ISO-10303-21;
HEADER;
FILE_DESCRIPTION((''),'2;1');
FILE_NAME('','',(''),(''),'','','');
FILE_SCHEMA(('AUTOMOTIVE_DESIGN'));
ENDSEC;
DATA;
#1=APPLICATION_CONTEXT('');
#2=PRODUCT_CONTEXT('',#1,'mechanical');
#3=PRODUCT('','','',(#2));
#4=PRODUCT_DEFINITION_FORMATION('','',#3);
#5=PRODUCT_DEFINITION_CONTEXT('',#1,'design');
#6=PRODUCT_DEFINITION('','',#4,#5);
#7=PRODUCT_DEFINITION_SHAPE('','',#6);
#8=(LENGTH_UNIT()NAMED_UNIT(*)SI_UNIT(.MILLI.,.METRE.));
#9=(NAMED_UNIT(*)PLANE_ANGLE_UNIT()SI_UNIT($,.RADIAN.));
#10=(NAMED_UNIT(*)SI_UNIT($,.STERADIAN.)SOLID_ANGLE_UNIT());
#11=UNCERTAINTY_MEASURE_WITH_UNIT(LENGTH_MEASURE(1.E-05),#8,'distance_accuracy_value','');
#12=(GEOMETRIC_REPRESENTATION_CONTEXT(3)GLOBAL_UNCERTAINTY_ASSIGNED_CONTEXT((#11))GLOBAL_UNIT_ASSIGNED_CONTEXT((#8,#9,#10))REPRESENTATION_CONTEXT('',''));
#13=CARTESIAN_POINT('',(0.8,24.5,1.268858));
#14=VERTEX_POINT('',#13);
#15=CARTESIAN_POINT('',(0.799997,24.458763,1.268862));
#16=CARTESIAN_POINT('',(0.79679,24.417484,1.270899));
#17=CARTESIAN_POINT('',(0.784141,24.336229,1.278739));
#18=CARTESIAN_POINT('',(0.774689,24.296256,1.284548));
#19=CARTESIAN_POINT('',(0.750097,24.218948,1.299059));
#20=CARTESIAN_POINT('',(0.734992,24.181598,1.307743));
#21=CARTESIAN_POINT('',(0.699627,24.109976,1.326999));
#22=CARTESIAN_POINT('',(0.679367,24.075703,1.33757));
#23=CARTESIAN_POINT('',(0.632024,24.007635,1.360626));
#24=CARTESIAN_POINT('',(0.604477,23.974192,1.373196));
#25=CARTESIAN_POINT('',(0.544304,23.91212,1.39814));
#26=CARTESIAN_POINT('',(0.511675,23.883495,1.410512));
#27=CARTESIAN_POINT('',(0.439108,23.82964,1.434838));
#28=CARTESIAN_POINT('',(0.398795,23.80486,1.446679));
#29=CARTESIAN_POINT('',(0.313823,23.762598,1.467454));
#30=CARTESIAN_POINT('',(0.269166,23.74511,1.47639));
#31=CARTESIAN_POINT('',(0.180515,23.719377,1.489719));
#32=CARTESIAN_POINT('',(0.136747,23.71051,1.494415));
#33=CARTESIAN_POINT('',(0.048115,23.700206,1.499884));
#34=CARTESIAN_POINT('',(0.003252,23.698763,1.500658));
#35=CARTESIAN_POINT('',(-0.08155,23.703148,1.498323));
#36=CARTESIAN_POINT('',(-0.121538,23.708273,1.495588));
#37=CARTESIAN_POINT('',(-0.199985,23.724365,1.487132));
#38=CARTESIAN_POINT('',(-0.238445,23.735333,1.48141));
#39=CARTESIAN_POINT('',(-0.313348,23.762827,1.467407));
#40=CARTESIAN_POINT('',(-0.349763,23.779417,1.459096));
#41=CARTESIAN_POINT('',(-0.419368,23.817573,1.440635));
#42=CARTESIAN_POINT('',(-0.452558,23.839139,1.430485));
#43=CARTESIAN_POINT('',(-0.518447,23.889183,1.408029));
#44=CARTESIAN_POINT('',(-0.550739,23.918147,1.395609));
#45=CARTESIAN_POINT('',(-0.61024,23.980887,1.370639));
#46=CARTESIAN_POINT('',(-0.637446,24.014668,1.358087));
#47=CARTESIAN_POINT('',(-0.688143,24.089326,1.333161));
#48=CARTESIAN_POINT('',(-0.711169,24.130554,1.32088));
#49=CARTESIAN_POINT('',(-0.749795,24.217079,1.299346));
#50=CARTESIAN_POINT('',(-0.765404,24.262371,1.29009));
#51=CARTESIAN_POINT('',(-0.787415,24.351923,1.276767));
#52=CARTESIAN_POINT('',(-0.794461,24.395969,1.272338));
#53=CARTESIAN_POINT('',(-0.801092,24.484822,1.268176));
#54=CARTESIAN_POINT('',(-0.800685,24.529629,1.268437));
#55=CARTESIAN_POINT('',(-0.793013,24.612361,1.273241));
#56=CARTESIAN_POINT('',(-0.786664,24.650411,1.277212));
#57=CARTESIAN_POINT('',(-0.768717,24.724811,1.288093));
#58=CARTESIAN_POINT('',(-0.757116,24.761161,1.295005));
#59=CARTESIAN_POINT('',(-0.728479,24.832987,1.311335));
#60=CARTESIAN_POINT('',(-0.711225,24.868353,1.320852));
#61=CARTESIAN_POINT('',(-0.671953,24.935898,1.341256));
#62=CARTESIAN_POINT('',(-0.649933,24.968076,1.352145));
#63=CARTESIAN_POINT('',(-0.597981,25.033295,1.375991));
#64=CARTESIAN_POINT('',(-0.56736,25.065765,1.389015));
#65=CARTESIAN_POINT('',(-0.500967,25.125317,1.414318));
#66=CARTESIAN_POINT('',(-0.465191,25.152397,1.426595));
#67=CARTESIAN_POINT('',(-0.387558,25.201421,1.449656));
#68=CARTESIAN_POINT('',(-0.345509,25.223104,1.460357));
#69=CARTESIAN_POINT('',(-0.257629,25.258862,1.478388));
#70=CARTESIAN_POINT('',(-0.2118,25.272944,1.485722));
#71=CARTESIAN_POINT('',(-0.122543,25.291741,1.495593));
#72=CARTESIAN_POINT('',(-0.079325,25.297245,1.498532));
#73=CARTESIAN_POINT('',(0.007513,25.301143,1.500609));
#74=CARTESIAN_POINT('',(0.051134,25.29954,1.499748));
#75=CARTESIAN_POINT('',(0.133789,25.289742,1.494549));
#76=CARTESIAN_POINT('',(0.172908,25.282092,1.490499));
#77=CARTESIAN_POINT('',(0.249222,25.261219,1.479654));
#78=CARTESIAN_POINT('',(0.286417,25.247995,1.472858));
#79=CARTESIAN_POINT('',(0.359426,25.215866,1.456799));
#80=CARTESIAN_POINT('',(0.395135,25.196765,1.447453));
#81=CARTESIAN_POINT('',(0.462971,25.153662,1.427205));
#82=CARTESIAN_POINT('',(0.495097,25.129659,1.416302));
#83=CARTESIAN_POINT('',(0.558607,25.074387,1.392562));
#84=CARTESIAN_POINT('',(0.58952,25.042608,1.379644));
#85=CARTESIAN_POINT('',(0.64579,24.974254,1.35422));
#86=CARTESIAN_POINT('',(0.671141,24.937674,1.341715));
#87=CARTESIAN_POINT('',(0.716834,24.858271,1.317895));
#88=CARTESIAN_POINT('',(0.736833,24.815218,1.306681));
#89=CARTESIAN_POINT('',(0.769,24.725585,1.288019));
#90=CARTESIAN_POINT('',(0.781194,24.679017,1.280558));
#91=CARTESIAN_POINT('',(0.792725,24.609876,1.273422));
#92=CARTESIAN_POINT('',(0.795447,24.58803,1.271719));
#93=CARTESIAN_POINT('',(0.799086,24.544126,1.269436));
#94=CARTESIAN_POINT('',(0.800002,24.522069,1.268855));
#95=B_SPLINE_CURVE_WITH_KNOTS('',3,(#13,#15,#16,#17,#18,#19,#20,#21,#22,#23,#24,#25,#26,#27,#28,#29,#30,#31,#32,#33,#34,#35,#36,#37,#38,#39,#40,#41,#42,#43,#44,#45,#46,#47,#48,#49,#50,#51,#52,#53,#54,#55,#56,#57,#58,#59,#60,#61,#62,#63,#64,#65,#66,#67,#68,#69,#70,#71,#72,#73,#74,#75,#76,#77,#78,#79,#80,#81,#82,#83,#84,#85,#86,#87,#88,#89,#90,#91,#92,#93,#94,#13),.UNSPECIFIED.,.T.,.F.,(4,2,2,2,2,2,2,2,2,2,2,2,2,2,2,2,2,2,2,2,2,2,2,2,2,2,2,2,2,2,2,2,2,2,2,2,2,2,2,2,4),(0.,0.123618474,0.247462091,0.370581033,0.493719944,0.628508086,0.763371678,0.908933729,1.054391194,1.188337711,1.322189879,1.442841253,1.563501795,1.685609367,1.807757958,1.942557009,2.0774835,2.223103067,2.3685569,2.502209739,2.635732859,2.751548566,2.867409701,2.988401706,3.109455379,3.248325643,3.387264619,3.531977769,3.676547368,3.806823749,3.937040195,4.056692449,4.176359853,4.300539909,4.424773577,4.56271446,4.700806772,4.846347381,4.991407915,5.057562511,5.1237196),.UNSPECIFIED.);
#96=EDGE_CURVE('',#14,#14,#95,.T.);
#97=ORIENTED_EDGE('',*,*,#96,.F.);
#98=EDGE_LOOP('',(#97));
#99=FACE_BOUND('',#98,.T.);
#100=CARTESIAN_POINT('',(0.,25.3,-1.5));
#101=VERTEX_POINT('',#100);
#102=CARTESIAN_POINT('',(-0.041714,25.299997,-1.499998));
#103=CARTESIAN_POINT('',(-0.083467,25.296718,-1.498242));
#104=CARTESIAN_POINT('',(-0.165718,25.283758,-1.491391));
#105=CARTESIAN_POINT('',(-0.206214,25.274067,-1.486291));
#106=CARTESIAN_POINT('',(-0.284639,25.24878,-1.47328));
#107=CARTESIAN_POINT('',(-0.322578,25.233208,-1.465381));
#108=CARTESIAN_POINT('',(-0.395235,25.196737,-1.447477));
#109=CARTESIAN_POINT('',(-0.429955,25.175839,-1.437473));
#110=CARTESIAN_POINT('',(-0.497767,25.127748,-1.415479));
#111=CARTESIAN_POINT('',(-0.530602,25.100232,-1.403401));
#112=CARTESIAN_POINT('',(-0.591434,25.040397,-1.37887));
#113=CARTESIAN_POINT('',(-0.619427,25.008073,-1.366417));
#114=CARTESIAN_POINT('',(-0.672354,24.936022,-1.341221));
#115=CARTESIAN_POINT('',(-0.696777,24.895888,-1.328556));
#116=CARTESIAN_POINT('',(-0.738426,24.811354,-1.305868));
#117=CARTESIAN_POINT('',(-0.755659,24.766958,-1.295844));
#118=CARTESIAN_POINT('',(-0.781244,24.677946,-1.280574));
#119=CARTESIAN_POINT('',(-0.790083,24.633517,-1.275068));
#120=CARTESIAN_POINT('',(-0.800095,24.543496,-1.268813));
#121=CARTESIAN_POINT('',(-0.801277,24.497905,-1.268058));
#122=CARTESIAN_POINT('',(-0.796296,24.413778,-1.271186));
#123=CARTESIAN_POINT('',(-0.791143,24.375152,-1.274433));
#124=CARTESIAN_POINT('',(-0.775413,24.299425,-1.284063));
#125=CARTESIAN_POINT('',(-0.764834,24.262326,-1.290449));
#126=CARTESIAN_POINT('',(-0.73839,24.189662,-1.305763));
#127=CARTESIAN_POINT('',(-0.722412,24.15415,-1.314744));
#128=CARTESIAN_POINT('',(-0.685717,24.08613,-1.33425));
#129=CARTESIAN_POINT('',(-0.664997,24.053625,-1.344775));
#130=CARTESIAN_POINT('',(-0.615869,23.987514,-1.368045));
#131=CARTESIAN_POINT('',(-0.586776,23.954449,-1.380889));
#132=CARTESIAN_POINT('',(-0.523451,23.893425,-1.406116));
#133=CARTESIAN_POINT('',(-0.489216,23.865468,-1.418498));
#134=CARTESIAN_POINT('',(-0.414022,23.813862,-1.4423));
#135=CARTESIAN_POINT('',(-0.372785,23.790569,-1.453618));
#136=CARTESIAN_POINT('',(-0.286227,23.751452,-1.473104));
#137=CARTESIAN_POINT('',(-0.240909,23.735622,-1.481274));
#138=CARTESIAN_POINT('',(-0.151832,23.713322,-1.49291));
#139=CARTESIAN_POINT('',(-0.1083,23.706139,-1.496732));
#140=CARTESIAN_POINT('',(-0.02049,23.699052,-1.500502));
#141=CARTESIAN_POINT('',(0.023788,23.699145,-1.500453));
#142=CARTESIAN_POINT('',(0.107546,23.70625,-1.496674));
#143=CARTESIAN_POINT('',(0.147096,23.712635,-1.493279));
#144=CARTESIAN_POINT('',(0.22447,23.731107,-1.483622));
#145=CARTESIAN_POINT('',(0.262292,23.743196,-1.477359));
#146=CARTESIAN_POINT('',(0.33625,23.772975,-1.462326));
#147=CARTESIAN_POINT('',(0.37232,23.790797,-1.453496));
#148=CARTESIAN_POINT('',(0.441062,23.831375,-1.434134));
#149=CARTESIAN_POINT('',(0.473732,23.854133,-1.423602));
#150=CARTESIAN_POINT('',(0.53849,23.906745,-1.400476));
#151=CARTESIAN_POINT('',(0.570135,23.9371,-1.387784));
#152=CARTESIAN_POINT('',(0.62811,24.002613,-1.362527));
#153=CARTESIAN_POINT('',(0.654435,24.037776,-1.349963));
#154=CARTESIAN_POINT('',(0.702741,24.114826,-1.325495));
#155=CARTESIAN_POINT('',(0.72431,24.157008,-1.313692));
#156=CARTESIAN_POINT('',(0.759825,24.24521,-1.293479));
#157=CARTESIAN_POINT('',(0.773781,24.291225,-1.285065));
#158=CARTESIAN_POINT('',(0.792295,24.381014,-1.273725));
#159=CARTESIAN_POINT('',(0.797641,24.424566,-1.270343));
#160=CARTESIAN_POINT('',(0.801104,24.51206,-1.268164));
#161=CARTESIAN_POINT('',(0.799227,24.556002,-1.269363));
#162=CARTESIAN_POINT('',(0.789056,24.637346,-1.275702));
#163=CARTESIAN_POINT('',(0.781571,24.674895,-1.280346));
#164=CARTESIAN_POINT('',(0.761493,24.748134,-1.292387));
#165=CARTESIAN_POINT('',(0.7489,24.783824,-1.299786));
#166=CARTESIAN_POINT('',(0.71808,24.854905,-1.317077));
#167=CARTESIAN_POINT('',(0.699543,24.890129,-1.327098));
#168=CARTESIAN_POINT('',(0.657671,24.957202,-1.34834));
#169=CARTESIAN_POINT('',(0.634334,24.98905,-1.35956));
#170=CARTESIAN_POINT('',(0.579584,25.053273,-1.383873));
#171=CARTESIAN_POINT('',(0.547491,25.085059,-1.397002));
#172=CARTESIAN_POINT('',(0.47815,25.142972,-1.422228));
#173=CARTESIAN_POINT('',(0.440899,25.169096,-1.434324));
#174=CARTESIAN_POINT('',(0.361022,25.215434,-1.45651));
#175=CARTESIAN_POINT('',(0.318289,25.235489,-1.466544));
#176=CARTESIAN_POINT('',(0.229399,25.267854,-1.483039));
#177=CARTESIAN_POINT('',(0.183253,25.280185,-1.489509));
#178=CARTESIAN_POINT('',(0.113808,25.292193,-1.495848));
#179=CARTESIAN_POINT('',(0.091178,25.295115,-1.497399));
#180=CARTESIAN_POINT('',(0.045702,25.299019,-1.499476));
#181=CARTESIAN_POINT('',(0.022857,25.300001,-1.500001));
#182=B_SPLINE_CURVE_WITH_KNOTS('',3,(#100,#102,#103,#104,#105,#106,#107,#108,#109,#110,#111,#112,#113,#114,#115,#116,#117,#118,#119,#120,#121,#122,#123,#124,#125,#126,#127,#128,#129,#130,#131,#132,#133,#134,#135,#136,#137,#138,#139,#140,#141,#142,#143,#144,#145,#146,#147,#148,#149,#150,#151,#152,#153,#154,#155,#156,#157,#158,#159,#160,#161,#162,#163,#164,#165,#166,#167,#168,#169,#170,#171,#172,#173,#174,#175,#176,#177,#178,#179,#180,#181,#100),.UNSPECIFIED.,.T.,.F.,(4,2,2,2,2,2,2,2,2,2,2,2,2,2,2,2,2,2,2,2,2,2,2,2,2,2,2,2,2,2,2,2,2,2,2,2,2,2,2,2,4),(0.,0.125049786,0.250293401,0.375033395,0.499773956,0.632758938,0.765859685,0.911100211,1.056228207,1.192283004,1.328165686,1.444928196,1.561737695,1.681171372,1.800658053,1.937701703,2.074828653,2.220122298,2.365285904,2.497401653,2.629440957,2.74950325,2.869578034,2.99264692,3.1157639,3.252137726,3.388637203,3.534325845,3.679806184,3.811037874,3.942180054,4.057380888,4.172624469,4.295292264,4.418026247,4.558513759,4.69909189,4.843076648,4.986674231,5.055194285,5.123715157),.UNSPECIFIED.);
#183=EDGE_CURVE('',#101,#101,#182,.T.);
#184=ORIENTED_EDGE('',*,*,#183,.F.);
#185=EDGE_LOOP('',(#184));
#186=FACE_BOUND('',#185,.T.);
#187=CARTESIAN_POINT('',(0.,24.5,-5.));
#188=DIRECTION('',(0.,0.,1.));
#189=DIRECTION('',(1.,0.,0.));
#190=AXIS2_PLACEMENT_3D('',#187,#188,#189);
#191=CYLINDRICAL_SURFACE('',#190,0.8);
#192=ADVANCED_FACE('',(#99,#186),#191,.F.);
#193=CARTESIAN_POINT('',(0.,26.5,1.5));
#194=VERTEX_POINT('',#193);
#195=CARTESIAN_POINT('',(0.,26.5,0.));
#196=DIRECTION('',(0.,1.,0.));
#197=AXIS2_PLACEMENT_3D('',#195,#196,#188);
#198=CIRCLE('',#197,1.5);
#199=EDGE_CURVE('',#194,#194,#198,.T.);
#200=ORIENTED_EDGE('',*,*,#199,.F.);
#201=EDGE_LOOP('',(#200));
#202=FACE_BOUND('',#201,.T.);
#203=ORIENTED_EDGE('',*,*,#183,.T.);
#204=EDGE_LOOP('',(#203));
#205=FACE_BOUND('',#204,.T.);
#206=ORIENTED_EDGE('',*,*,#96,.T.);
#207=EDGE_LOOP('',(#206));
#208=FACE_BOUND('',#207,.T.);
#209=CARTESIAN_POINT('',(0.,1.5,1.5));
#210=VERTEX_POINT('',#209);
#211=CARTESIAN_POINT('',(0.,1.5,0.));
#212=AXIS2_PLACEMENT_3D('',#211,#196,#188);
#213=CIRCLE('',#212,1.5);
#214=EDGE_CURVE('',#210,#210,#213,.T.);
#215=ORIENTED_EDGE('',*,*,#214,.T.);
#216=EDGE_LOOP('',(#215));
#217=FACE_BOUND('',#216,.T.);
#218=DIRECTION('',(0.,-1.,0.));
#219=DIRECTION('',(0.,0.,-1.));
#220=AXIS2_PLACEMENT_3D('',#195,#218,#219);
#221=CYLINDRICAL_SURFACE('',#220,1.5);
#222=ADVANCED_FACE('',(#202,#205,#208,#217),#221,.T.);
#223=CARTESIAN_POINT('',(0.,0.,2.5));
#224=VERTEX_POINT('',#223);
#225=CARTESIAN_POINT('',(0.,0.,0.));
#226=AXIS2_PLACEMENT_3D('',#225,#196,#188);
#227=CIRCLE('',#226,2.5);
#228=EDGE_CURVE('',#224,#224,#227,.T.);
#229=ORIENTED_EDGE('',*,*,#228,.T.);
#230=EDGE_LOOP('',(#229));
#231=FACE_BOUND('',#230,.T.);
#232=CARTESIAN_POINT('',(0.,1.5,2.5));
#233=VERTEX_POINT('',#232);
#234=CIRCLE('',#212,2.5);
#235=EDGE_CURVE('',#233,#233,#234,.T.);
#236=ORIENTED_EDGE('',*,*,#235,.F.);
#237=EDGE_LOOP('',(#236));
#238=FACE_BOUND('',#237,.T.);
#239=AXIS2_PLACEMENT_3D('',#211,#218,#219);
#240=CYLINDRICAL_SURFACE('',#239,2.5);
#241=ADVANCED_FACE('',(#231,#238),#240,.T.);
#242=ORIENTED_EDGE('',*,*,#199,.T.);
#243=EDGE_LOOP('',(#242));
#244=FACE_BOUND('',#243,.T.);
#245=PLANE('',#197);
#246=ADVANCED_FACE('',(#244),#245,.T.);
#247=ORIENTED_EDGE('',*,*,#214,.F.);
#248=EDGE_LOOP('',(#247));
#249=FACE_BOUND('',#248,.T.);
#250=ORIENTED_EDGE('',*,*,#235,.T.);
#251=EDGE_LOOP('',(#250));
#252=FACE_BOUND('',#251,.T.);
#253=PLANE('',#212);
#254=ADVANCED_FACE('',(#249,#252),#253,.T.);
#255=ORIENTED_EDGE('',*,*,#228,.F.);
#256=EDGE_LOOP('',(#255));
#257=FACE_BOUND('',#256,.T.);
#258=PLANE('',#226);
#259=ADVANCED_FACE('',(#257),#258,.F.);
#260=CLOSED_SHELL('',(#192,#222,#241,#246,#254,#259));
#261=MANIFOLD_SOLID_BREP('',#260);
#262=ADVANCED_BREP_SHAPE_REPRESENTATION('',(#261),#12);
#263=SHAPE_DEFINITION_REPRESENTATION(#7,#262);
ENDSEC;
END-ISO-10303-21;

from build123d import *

# Parameters (mm, degrees)
SKETCH_1_R          = 2.5
EXTRUDE_1_DEPTH     = 1.5
SKETCH_2_R          = 1.5
EXTRUDE_2_DEPTH     = 25
SKETCH_3_R          = 0.8
CUT_EXTRUDE_1_DEPTH = 5


with BuildPart() as part:
    # 草图1 → 凸台-拉伸1 (new body)
    with BuildSketch(Plane(origin=(0, 0, 0), x_dir=(1, 0, 0), z_dir=(0, 1, 0))):
        with Locations(Location((0, 0, 0), (0, 0, 270))):
            Circle(SKETCH_1_R)
    extrude(amount=EXTRUDE_1_DEPTH)

    # 草图2 → 凸台-拉伸2 (add)
    with BuildSketch(Plane(origin=(0, 1.5, 0), x_dir=(1, 0, 0), z_dir=(0, 1, 0))):
        with Locations(Location((0, 0, 0), (0, 0, 270))):
            Circle(SKETCH_2_R)
    extrude(amount=EXTRUDE_2_DEPTH)

    # 草图3 → 切除-拉伸1 (cut, symmetric)
    with BuildSketch(Plane.XY):
        with Locations(Location((0, 24.5, 0), (0, 0, 89.999999995))):
            Circle(SKETCH_3_R)
    extrude(amount=CUT_EXTRUDE_1_DEPTH, both=True, mode=Mode.SUBTRACT)


solid = part.part
